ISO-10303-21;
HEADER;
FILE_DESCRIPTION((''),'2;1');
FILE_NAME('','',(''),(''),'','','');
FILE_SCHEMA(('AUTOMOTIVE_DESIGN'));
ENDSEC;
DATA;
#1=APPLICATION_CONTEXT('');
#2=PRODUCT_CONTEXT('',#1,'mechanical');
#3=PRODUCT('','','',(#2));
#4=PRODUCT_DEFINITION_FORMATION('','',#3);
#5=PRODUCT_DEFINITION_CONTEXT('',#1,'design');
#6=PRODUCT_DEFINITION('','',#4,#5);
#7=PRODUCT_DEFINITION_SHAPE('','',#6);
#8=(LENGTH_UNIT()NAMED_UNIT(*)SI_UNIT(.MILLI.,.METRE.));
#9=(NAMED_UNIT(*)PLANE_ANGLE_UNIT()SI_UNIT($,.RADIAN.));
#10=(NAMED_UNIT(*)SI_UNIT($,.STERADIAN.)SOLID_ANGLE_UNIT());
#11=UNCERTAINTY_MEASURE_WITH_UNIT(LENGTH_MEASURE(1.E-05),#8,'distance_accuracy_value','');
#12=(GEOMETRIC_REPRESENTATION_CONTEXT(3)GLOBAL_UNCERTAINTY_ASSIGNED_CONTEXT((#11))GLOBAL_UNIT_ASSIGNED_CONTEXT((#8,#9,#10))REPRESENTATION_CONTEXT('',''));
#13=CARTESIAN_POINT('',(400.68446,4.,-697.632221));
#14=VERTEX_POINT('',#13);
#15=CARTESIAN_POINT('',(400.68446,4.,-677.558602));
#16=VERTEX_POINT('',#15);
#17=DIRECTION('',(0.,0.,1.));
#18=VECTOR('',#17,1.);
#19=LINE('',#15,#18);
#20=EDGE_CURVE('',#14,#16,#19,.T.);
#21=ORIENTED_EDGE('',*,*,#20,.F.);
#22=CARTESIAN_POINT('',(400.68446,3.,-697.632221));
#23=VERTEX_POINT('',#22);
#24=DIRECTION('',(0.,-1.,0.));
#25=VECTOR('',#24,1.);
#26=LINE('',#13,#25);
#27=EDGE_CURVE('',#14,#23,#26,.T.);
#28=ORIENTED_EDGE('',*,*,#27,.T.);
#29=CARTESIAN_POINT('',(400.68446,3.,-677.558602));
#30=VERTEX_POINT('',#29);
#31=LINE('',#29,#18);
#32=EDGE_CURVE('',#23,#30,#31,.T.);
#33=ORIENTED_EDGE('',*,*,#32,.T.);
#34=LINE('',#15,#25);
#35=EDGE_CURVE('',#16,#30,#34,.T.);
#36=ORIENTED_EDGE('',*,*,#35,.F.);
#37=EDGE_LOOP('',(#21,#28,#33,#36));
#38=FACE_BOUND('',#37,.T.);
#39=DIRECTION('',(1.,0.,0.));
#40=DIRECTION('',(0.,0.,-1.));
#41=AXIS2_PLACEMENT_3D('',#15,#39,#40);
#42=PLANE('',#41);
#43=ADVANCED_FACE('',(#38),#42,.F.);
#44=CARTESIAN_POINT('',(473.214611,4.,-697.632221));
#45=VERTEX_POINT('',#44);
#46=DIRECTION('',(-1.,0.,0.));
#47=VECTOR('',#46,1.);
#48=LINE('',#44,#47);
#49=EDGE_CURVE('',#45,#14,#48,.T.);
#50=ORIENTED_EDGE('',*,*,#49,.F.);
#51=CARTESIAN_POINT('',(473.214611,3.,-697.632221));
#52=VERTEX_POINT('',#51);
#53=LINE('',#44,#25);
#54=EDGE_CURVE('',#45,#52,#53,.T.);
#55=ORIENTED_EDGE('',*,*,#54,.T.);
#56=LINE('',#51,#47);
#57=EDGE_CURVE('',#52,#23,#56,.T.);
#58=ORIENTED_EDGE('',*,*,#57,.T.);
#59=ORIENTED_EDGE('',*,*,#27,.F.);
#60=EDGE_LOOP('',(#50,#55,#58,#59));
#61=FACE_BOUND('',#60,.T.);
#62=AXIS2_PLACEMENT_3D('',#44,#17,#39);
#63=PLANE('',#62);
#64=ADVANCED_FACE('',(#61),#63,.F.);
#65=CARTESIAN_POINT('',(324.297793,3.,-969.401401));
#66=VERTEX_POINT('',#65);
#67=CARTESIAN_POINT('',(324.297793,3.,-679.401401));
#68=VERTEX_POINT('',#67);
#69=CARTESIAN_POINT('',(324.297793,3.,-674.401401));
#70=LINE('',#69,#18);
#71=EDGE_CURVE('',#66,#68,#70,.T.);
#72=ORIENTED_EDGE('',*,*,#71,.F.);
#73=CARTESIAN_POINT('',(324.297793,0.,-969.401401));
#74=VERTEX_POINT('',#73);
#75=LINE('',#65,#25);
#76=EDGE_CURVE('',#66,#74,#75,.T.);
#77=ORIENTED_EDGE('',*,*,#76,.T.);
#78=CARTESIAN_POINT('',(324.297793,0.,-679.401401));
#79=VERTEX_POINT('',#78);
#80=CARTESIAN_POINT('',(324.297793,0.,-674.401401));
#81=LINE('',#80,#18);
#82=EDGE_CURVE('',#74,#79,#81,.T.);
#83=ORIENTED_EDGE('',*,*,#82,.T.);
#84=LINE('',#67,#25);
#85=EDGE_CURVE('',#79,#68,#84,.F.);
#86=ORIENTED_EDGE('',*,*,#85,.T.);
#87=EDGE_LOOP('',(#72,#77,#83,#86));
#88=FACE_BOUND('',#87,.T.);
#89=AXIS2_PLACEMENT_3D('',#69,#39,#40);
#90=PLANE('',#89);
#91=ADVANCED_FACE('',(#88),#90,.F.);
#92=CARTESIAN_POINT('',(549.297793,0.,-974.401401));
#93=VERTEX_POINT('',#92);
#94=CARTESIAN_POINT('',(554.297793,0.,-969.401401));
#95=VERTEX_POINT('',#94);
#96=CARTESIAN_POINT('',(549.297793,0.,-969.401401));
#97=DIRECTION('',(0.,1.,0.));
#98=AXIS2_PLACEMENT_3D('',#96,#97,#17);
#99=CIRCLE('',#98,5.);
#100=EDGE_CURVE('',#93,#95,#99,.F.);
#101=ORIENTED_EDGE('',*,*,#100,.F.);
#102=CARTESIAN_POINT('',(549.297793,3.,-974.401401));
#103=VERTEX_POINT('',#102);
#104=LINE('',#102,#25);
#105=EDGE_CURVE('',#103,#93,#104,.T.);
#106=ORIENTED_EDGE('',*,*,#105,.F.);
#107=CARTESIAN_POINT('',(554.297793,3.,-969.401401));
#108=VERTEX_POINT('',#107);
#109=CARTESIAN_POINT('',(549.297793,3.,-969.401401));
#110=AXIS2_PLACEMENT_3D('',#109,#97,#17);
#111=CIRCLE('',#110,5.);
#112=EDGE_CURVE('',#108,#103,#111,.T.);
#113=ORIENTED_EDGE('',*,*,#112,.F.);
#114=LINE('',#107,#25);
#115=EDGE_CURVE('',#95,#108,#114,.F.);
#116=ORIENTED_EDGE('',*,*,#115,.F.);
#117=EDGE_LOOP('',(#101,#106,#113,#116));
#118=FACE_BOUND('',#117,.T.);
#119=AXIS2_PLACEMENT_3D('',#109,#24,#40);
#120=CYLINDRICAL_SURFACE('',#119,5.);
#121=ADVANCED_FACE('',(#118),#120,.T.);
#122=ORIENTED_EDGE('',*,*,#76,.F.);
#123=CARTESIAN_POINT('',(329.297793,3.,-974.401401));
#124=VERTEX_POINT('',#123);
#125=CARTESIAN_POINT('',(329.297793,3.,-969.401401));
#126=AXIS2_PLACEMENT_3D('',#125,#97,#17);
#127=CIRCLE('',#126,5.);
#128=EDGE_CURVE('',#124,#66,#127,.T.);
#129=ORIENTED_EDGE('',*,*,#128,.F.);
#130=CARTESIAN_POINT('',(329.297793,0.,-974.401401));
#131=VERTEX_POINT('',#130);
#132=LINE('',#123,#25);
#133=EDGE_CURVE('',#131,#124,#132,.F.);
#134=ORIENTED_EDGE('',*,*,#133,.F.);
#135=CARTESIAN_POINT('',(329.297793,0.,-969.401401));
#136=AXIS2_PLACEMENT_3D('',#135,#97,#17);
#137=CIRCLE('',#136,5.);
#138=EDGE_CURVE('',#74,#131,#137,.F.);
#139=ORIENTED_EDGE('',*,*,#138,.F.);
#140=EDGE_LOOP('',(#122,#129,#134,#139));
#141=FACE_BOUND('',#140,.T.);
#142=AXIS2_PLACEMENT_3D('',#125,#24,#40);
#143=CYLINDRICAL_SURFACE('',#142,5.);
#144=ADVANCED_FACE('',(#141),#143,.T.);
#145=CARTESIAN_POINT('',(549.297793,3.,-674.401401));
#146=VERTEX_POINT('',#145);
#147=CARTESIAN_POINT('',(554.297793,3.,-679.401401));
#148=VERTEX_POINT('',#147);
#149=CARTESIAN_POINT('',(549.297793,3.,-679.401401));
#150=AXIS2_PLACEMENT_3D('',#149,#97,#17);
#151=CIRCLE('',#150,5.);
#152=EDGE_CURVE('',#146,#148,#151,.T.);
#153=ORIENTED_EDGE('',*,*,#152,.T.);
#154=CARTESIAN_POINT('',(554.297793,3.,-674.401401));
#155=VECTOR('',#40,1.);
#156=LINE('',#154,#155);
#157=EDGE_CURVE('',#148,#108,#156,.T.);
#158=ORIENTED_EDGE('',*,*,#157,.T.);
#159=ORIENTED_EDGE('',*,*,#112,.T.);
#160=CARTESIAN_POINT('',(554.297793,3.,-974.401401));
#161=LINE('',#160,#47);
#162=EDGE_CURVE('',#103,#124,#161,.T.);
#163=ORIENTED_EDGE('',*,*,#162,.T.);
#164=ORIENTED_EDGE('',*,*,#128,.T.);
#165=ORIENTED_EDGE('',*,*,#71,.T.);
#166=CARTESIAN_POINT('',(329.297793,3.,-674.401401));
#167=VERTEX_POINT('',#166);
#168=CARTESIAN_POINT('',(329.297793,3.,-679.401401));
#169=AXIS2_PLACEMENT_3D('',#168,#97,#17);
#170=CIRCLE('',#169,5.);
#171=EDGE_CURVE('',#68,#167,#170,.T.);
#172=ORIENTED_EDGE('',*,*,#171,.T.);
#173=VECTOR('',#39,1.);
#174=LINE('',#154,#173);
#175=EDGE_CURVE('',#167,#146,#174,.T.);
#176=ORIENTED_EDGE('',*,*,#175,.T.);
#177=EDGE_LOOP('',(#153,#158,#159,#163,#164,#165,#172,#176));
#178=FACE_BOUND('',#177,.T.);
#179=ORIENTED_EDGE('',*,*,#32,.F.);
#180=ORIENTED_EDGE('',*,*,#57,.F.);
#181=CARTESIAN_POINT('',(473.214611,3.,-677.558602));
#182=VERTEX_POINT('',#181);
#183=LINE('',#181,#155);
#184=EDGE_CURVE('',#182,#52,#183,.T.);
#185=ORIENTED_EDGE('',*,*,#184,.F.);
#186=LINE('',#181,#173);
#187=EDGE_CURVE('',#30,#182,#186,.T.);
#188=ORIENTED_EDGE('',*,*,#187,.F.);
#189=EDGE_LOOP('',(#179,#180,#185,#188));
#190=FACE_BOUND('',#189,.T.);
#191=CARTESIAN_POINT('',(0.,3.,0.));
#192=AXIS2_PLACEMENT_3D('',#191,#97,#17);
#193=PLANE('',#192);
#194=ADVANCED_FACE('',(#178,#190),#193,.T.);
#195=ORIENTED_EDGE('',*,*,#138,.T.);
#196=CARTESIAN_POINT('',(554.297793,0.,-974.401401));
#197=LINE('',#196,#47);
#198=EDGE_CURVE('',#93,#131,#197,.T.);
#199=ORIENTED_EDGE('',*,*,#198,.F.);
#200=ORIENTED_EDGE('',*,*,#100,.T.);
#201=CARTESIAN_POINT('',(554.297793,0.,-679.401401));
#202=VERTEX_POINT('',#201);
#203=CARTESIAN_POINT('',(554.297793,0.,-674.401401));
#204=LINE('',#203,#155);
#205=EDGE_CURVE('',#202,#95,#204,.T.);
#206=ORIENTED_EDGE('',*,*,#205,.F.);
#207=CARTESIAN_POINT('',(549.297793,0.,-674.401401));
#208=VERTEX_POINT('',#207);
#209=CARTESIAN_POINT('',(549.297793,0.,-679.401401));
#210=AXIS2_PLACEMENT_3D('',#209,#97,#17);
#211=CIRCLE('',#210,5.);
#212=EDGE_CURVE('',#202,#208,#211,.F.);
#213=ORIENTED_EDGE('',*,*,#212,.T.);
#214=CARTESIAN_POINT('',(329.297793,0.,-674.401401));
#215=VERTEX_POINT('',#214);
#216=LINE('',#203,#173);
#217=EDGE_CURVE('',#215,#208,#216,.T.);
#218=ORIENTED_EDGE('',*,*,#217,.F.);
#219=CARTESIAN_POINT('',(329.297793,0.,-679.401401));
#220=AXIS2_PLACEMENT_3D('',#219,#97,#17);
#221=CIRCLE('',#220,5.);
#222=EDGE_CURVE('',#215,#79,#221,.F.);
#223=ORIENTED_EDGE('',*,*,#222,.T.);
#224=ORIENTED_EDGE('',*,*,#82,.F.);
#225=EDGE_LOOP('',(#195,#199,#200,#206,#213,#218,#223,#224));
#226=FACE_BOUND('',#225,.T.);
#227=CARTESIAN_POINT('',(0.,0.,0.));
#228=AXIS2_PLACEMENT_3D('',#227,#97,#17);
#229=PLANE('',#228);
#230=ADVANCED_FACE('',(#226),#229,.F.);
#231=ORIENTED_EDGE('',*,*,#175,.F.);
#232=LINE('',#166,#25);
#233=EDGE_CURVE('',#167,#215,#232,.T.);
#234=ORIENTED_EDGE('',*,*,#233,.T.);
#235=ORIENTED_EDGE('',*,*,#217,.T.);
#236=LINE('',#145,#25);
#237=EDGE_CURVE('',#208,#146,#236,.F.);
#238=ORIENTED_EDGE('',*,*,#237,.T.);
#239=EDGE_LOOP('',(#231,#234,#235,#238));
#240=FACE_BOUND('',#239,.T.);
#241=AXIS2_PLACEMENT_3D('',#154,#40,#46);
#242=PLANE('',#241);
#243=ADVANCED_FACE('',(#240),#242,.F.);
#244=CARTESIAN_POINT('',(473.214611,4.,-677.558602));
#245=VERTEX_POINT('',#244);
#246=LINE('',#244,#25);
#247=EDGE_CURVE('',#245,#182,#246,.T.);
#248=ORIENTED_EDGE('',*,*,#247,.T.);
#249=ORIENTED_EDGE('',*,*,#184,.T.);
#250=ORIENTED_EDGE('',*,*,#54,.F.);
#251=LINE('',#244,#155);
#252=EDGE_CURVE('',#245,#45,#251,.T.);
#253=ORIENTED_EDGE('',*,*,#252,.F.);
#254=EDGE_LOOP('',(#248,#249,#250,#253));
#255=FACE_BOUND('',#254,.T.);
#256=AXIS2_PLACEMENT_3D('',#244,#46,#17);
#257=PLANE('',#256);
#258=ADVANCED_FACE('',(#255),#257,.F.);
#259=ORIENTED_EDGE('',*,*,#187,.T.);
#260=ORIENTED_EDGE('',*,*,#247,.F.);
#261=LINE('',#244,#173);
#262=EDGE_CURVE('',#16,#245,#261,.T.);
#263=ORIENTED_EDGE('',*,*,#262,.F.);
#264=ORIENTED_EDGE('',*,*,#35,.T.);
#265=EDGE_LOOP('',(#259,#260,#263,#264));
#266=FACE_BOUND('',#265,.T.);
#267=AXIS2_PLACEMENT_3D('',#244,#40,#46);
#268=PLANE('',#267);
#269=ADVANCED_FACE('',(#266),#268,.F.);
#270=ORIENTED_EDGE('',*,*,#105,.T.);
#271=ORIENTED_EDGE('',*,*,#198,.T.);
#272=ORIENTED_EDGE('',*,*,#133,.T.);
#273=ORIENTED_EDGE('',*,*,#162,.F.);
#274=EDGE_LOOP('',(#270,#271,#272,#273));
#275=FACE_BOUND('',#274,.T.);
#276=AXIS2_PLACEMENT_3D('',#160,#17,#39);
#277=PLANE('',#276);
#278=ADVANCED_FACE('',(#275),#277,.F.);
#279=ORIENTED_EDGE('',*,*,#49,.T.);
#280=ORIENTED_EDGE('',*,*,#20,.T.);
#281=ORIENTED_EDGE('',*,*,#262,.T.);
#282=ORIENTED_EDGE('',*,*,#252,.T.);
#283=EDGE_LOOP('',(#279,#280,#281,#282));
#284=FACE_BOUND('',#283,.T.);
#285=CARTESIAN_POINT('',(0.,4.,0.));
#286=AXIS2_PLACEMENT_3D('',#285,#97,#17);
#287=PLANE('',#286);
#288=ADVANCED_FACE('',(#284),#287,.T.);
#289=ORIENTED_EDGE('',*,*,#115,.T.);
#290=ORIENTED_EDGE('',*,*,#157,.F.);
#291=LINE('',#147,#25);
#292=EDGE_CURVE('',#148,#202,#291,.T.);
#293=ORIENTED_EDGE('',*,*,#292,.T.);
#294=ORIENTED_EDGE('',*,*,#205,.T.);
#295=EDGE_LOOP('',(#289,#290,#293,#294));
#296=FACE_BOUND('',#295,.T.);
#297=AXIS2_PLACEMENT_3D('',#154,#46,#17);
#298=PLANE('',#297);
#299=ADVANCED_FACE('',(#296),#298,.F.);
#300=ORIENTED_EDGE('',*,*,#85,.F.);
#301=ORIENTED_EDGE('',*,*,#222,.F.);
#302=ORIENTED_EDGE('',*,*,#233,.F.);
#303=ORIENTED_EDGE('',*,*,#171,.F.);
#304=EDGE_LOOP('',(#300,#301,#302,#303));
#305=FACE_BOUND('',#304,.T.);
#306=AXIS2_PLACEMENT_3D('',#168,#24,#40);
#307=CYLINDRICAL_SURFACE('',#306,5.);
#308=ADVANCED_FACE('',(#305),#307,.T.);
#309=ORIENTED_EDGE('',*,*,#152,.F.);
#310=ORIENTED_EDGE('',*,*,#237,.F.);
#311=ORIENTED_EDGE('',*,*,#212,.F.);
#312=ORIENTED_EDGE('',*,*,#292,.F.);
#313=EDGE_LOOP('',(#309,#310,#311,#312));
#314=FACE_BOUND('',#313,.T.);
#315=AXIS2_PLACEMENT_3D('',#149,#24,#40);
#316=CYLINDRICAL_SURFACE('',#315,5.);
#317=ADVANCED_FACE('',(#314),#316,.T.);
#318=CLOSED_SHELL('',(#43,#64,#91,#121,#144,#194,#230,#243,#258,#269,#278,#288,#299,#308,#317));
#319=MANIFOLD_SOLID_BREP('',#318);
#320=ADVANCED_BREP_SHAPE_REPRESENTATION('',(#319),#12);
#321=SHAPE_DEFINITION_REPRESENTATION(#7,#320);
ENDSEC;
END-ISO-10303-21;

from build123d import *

# Parameters (mm, degrees)
SKETCH1_W           = 230
SKETCH1_H           = 300
BOSS_EXTRUDE1_DEPTH = 3
FILLET1_R           = 5
SKETCH2_W           = 72.53015036
SKETCH2_H           = 20.073618637
BOSS_EXTRUDE2_DEPTH = 1


with BuildPart() as part:
    # Sketch1 → Boss-Extrude1 (new body)
    with BuildSketch(Plane(origin=(0, 0, 0), x_dir=(1, 0, 0), z_dir=(0, 1, 0))):
        with Locations((439.297793407, 824.401400972)):
            Rectangle(SKETCH1_W, SKETCH1_H)
    extrude(amount=BOSS_EXTRUDE1_DEPTH)

    # Fillet1
    fillet1_edges = [part.edges().sort_by_distance(p)[0] for p in [
        (554.297793407, 1.5, -674.401400972),
        (324.297793407, 1.5, -674.401400972),
        (324.297793407, 1.5, -974.401400972),
        (554.297793407, 1.5, -974.401400972),
    ]]
    fillet(fillet1_edges, radius=FILLET1_R)

    # Sketch2 → Boss-Extrude2 (add)
    with BuildSketch(Plane(origin=(0, 3, 0), x_dir=(1, 0, 0), z_dir=(0, 1, 0))):
        with Locations((436.94953533, 687.595411645)):
            Rectangle(SKETCH2_W, SKETCH2_H)
    extrude(amount=BOSS_EXTRUDE2_DEPTH)


solid = part.part
